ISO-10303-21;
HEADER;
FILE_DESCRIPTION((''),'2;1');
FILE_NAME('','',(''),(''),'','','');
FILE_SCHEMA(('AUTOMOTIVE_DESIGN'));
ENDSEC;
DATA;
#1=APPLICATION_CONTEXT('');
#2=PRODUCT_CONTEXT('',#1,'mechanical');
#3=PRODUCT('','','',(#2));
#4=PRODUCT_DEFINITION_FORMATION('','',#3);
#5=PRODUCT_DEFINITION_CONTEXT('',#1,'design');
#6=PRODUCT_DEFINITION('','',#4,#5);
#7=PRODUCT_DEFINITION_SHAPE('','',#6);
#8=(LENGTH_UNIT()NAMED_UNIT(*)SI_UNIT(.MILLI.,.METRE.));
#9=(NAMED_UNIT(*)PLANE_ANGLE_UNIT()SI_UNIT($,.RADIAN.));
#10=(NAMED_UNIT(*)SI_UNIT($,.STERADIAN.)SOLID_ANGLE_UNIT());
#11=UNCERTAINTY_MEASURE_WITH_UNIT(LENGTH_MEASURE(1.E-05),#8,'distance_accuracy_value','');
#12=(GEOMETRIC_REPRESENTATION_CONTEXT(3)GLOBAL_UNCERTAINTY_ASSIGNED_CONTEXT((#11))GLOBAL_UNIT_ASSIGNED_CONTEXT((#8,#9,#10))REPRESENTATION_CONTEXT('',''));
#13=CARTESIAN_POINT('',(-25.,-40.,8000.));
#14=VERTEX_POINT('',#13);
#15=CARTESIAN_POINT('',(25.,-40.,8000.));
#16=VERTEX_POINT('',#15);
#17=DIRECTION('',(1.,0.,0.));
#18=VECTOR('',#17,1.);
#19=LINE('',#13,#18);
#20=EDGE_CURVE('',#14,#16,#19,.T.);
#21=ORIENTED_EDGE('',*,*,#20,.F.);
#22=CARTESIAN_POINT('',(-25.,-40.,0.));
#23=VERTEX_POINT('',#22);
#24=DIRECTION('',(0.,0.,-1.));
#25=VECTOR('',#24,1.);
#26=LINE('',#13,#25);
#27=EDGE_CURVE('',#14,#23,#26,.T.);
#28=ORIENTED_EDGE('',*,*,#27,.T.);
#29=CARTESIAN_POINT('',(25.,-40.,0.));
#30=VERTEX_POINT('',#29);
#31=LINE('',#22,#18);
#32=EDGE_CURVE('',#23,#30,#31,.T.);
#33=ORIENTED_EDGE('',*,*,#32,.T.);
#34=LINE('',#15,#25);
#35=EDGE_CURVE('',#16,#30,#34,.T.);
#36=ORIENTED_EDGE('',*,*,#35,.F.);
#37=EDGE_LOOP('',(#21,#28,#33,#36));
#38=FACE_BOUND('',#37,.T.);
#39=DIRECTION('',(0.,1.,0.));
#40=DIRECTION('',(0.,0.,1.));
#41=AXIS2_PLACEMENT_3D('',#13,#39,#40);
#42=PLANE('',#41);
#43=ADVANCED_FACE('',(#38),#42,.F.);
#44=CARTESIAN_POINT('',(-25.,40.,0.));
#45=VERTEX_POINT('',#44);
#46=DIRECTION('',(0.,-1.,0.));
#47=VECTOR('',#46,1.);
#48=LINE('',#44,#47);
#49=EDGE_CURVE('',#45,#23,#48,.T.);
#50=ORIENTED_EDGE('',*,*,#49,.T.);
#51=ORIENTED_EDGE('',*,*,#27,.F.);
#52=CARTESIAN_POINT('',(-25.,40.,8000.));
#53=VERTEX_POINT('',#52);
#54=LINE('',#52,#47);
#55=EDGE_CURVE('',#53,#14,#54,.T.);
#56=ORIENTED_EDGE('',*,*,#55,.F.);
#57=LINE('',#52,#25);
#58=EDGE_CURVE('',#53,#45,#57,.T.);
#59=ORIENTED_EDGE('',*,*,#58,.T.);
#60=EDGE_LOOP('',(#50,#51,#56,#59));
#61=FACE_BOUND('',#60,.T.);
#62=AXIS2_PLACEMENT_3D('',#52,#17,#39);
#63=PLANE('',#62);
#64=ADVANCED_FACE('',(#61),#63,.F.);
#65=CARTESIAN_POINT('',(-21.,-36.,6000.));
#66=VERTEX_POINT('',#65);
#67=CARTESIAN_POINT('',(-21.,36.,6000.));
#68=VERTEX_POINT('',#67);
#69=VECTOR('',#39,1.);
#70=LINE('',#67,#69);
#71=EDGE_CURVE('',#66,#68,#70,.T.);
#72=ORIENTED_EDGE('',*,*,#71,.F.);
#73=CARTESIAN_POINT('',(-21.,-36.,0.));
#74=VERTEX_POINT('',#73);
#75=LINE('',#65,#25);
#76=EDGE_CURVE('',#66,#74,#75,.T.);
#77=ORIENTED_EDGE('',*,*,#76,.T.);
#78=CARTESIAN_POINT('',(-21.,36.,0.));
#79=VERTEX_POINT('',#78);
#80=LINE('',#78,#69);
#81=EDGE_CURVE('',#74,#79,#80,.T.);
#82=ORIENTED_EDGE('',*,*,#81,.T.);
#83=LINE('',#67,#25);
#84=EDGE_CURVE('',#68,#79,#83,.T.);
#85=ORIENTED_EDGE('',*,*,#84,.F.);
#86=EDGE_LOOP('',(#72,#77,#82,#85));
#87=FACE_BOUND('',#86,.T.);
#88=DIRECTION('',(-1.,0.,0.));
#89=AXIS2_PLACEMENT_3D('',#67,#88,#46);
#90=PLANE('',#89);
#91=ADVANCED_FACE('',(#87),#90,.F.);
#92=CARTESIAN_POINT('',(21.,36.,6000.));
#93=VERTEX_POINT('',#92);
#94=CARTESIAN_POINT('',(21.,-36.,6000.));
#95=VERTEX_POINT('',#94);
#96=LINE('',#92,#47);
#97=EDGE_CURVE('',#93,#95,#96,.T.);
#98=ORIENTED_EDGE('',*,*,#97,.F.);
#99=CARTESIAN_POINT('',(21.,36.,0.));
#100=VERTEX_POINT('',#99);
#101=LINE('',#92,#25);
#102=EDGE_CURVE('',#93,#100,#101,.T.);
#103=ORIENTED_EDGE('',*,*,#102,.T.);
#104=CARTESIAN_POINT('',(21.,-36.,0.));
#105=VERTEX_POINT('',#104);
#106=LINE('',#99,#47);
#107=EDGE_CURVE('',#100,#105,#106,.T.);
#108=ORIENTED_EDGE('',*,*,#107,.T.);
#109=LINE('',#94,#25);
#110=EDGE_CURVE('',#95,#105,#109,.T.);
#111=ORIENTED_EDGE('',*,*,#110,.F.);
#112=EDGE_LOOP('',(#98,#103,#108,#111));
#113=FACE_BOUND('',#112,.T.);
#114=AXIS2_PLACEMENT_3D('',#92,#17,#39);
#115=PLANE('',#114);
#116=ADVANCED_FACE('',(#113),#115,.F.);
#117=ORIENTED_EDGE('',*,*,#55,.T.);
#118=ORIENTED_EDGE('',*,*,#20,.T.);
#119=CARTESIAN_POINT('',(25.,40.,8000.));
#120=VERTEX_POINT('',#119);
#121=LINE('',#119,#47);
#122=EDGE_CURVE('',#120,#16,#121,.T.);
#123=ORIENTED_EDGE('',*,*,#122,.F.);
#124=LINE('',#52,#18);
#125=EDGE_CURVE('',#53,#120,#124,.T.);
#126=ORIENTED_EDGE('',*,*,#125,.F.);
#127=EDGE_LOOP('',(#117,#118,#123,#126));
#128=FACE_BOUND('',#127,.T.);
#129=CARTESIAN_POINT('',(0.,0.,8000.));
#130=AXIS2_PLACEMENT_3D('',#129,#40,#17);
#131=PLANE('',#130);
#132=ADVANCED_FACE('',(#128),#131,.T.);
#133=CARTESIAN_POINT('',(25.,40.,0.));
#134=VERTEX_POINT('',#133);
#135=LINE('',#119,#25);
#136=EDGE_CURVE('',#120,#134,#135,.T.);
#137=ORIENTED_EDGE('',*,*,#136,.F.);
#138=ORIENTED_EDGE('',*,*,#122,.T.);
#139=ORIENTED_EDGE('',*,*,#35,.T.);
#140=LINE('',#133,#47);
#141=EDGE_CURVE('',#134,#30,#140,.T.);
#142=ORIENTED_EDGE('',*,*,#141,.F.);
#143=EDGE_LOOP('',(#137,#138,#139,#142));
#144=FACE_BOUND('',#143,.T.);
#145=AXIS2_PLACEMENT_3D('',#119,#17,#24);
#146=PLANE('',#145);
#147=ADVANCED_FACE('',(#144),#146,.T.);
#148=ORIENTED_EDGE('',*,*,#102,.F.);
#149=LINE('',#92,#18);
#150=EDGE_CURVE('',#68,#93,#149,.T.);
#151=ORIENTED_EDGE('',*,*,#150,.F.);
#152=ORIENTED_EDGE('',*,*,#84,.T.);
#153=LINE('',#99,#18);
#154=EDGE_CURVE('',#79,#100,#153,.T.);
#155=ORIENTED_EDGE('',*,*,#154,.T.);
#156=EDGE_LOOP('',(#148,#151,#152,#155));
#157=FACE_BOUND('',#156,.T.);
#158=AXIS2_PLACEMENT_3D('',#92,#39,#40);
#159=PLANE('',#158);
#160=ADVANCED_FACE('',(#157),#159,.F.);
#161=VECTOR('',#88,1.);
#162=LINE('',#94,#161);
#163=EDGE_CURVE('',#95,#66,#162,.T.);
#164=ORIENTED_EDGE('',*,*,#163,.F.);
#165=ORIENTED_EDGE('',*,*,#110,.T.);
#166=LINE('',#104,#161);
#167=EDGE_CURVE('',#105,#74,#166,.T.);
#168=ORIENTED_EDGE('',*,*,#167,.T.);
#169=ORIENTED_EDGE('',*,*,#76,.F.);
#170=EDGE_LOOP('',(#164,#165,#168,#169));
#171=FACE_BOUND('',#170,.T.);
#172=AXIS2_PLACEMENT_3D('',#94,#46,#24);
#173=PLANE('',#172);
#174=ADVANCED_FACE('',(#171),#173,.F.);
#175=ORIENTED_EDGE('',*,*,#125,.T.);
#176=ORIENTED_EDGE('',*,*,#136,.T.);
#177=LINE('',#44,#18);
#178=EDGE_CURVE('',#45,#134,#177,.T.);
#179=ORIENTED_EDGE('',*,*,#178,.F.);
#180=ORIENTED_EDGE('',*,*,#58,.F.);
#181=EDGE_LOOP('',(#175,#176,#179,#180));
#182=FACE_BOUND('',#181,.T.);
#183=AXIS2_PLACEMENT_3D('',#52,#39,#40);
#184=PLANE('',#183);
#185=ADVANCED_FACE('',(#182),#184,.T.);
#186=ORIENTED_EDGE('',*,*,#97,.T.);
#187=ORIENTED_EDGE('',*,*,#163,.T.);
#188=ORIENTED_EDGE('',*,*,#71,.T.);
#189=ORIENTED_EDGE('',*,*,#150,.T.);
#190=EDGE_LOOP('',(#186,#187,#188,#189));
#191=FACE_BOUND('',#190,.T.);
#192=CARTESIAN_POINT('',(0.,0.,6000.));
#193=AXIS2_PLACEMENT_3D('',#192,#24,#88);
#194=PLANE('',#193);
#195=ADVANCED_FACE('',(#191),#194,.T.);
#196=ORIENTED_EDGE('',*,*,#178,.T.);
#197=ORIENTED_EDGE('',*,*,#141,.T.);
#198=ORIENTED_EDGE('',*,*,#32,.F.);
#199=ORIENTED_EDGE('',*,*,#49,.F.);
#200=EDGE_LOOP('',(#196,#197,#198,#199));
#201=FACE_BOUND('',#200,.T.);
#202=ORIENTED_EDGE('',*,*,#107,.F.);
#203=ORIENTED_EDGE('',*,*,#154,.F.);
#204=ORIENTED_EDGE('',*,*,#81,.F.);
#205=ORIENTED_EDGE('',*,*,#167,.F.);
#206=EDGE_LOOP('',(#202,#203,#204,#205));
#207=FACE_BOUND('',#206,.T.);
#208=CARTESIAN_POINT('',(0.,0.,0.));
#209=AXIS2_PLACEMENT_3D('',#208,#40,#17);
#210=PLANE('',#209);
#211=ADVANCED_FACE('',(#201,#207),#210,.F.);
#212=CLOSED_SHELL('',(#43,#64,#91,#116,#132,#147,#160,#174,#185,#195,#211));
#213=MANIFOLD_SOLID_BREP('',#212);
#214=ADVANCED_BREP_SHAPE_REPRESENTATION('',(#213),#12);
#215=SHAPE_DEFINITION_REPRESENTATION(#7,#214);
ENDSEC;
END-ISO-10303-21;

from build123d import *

# Parameters (mm, degrees)
SKETCH1_W           = 50
SKETCH1_H           = 80
BOSS_EXTRUDE1_DEPTH = 8000
SKETCH2_W           = 42
SKETCH2_H           = 72
CUT_EXTRUDE1_DEPTH  = 6000


with BuildPart() as part:
    # Sketch1 → Boss-Extrude1 (new body)
    with BuildSketch(Plane.XY):
        Rectangle(SKETCH1_W, SKETCH1_H)
    extrude(amount=BOSS_EXTRUDE1_DEPTH)

    # Sketch2 → Cut-Extrude1 (cut)
    with BuildSketch(Plane(origin=(0, 0, 0), x_dir=(-1, 0, 0), z_dir=(0, 0, -1))):
        Rectangle(SKETCH2_W, SKETCH2_H)
    extrude(amount=-CUT_EXTRUDE1_DEPTH, mode=Mode.SUBTRACT)


solid = part.part
